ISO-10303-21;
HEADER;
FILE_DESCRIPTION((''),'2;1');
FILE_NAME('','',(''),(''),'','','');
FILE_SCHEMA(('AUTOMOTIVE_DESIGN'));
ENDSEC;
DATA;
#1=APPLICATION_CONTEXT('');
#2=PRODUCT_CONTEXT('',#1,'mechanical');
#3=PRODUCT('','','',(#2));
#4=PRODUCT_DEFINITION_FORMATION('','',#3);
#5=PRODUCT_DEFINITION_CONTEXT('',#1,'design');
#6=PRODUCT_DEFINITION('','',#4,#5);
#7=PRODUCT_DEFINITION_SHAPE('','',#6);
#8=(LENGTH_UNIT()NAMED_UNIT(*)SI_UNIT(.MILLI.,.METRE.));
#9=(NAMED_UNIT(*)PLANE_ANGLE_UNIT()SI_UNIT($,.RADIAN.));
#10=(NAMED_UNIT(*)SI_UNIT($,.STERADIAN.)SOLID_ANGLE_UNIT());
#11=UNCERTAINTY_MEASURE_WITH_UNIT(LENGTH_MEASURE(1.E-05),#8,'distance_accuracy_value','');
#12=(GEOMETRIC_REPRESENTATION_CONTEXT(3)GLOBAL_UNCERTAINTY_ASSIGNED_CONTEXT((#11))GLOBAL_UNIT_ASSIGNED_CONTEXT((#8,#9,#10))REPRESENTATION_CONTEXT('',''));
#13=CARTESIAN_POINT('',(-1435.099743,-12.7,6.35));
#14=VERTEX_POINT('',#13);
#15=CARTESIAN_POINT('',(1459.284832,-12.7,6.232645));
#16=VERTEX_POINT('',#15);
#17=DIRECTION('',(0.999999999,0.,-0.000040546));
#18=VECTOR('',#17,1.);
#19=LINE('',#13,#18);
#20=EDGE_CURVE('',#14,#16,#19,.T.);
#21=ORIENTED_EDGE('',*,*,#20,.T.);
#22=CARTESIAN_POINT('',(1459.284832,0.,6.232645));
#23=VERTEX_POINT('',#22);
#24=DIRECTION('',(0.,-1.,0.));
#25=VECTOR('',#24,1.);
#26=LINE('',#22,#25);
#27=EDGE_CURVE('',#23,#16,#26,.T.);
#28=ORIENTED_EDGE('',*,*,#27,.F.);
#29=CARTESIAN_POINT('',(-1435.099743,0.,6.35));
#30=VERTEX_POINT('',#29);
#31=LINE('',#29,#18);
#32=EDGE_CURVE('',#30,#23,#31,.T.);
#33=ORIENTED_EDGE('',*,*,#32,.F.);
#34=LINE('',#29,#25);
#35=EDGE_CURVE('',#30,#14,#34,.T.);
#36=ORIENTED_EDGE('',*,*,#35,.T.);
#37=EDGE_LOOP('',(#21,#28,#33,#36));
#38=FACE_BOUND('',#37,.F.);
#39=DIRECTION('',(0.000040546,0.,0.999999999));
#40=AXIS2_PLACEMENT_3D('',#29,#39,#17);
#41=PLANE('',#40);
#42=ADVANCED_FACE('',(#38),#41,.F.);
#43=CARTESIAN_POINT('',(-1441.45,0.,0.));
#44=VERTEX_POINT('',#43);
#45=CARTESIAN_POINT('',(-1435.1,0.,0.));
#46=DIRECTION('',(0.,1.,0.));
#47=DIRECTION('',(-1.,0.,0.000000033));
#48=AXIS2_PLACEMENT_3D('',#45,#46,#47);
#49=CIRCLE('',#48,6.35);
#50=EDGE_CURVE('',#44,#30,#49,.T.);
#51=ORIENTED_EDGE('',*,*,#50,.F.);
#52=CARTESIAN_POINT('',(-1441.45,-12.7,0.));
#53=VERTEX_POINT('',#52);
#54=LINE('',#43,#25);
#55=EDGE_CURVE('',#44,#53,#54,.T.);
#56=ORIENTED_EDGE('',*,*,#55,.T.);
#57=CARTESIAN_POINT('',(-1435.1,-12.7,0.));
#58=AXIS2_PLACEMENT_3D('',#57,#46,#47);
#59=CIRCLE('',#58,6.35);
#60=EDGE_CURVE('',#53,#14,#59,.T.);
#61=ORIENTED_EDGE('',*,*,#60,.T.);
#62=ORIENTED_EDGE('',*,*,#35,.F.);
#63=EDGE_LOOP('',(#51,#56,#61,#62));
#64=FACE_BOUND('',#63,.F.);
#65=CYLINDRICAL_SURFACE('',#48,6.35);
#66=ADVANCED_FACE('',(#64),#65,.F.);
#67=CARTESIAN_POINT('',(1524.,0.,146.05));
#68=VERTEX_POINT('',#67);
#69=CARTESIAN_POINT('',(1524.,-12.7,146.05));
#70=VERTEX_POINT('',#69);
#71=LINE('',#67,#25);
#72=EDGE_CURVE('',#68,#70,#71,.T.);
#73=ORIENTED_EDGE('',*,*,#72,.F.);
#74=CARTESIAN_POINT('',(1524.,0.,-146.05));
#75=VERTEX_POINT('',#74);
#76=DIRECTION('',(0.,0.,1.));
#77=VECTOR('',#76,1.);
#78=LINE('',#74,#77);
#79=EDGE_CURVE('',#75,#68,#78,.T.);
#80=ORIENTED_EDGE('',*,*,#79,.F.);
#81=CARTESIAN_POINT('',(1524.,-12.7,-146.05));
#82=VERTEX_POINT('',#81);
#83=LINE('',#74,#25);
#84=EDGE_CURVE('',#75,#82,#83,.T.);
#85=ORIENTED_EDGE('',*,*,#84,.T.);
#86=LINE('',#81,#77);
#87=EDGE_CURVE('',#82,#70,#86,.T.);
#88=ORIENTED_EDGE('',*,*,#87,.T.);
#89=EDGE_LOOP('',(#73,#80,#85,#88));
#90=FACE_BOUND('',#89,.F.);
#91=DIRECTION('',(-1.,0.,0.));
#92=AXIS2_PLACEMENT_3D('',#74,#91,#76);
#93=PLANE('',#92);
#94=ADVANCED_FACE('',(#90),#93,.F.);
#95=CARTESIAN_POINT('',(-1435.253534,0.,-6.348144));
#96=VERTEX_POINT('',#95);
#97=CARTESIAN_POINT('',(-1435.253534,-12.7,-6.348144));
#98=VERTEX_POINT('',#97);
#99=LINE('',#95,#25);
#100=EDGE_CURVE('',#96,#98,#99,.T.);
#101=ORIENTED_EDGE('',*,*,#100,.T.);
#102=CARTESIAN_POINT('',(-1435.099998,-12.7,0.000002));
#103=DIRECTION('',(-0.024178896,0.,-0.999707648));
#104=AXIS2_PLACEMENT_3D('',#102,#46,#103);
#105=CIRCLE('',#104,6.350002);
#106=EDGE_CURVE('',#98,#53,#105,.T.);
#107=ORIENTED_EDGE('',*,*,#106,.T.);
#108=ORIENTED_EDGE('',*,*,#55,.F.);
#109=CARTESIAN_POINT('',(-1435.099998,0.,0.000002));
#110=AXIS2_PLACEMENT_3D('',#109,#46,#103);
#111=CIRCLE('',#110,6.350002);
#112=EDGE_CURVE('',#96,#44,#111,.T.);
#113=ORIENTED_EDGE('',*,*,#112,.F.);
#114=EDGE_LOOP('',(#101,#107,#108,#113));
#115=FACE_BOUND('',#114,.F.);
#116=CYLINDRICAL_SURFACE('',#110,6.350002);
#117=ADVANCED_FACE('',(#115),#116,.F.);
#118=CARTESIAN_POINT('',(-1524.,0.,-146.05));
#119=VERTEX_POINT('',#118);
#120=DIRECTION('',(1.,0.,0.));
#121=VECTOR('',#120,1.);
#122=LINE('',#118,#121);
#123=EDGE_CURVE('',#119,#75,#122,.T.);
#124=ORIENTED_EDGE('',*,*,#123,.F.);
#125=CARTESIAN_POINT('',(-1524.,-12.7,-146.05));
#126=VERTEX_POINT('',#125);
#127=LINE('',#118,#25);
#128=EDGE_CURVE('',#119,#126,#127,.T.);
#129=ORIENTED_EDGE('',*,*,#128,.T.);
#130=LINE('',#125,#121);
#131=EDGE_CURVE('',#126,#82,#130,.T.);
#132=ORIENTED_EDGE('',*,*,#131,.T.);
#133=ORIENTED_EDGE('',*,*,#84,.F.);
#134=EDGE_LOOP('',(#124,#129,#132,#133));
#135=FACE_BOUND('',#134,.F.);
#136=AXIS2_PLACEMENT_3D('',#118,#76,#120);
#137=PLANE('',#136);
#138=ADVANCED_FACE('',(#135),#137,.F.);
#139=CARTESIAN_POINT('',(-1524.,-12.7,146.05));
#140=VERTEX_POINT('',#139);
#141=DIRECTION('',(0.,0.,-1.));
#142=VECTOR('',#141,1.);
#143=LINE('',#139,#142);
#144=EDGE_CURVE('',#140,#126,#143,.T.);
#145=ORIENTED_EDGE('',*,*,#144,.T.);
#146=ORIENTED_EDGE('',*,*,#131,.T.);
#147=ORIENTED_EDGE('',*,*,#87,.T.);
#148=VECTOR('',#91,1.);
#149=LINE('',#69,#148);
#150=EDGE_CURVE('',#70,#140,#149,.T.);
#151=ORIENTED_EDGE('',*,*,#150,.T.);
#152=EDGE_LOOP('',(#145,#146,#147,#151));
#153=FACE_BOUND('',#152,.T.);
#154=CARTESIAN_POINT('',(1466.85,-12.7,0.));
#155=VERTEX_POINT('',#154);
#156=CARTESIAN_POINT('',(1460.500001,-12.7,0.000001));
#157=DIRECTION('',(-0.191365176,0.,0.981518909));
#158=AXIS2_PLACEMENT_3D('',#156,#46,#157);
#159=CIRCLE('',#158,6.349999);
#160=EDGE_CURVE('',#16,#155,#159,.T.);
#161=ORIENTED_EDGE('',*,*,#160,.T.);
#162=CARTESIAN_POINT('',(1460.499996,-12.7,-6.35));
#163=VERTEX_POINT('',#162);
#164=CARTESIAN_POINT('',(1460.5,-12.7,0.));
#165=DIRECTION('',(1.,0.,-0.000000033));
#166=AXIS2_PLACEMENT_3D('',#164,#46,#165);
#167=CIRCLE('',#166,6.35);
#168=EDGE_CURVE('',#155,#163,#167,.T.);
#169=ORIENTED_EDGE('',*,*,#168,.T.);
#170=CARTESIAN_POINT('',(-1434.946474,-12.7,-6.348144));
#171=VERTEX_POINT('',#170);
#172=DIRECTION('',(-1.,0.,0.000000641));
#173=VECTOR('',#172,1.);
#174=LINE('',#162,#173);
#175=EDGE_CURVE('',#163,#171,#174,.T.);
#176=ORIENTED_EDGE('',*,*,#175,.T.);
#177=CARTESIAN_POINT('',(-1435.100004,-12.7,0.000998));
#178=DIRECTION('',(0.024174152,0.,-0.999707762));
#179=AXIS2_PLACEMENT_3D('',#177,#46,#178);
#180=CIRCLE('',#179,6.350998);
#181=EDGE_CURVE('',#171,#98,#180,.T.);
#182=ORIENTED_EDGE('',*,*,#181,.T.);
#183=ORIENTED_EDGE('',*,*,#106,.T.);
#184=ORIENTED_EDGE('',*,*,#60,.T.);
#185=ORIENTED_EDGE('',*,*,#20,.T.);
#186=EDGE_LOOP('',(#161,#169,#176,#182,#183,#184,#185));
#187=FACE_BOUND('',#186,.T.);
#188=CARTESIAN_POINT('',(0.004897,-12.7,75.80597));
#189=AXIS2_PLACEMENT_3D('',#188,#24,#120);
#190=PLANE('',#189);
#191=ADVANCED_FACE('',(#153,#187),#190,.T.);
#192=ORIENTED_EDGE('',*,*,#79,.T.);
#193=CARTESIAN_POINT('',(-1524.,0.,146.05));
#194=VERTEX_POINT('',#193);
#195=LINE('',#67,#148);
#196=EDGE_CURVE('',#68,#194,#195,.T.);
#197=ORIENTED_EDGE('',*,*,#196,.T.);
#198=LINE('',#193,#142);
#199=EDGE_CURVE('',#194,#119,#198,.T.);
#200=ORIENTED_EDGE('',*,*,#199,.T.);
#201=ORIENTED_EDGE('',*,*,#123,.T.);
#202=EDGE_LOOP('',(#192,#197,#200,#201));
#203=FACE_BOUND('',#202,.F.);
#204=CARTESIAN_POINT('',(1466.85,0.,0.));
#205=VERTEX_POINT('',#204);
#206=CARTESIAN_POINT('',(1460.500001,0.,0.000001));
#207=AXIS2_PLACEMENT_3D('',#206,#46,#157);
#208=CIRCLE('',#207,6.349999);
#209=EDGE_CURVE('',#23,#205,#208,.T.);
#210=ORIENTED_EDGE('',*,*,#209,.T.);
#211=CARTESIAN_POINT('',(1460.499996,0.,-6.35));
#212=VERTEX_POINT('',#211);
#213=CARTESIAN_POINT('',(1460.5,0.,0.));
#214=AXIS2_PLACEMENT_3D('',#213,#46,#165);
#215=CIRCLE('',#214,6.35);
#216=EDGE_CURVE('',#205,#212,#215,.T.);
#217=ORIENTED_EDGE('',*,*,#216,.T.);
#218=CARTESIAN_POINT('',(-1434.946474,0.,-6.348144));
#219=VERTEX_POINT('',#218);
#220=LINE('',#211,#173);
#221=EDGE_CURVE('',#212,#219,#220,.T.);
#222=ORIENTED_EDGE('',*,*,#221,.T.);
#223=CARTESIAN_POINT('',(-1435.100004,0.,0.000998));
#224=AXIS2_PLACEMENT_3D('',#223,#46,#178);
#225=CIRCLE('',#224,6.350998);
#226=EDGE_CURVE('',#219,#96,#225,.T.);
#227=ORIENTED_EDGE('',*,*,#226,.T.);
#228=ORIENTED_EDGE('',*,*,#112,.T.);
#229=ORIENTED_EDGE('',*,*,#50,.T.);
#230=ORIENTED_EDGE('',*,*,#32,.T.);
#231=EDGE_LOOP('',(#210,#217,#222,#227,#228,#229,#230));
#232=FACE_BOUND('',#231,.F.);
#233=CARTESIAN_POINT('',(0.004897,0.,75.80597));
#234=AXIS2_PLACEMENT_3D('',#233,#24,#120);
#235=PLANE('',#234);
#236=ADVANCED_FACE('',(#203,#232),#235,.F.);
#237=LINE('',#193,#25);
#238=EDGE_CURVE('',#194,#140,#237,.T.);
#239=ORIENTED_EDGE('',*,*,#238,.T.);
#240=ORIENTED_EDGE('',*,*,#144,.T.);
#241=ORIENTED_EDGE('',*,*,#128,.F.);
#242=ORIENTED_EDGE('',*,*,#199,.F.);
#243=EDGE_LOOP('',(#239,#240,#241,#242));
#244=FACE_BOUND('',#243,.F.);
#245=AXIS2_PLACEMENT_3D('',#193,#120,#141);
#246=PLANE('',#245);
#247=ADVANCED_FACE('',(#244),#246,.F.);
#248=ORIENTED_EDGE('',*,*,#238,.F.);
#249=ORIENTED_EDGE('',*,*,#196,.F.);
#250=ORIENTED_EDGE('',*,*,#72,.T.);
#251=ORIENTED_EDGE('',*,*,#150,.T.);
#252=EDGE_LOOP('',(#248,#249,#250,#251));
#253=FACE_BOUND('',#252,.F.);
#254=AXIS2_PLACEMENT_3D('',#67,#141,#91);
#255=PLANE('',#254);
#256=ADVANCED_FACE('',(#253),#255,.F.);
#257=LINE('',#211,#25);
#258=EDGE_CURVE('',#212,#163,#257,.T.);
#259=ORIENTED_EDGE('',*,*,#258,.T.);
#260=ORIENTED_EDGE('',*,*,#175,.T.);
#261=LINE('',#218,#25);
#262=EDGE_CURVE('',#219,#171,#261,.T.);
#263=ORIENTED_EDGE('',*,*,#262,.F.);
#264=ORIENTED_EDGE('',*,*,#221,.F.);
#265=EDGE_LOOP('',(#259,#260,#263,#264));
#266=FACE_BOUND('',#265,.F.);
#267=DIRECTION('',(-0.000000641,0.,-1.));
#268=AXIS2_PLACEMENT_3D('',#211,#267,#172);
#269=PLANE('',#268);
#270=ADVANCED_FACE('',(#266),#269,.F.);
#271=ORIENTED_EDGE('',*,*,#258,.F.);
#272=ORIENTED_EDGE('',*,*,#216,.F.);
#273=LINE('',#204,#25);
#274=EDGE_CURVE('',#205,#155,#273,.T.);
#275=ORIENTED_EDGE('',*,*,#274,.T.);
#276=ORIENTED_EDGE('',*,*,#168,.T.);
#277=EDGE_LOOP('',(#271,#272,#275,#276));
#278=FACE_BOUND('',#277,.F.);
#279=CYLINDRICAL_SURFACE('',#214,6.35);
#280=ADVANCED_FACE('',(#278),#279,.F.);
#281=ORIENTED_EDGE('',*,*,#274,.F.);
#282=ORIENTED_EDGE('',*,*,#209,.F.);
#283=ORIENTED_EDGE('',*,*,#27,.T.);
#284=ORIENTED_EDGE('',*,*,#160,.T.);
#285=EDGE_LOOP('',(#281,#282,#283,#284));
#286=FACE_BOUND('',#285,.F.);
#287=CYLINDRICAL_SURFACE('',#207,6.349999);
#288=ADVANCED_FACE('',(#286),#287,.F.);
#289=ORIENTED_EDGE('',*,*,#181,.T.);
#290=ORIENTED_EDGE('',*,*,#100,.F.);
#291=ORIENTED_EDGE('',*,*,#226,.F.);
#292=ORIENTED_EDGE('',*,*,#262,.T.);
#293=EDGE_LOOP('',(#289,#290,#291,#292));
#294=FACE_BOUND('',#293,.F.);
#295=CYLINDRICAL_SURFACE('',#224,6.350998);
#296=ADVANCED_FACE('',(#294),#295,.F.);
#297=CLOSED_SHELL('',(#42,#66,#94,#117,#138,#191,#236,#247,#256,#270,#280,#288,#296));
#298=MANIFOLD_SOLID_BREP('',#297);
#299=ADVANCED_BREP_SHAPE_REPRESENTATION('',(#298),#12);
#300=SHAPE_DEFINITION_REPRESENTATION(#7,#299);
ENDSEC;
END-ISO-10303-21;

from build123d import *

# Parameters (mm, degrees)
F1_DEPTH = 12.7


with BuildPart() as f1:
    # F0 (on Front) → F1 (new body)
    with BuildSketch(Plane.XZ):
        with BuildLine():
            Line((1524, 146.05), (-1524, 146.05))
            Line((-1524, 146.05), (-1524, 0))
            Line((-1524, 0), (-1441.45, 0))
            ThreePointArc((-1441.45, 0), (-1439.590037, 4.490219), (-1435.099743, 6.35))
            Line((-1435.099743, 6.35), (1459.284832, 6.232645))
            ThreePointArc((1459.284832, 6.232645), (1464.537709, 4.90096), (1466.85, 0))
            Line((1466.85, 0), (1524, 0))
            Line((1524, 0), (1524, 146.05))
        make_face()
        with BuildLine():
            Line((-1441.45, 0), (-1524, 0))
            Line((-1524, 0), (-1524, -146.05))
            Line((-1524, -146.05), (1524, -146.05))
            Line((1524, -146.05), (1524, 0))
            Line((1524, 0), (1466.85, 0))
            ThreePointArc((1466.85, 0), (1464.990127, -4.490129), (1460.499996, -6.35))
            Line((1460.499996, -6.35), (-1434.946474, -6.348144))
            ThreePointArc((-1434.946474, -6.348144), (-1435.100004, -6.35), (-1435.253534, -6.348144))
            ThreePointArc((-1435.253534, -6.348144), (-1439.644086, -4.435513), (-1441.45, 0))
        make_face()
    extrude(amount=F1_DEPTH)


solid = f1.part
